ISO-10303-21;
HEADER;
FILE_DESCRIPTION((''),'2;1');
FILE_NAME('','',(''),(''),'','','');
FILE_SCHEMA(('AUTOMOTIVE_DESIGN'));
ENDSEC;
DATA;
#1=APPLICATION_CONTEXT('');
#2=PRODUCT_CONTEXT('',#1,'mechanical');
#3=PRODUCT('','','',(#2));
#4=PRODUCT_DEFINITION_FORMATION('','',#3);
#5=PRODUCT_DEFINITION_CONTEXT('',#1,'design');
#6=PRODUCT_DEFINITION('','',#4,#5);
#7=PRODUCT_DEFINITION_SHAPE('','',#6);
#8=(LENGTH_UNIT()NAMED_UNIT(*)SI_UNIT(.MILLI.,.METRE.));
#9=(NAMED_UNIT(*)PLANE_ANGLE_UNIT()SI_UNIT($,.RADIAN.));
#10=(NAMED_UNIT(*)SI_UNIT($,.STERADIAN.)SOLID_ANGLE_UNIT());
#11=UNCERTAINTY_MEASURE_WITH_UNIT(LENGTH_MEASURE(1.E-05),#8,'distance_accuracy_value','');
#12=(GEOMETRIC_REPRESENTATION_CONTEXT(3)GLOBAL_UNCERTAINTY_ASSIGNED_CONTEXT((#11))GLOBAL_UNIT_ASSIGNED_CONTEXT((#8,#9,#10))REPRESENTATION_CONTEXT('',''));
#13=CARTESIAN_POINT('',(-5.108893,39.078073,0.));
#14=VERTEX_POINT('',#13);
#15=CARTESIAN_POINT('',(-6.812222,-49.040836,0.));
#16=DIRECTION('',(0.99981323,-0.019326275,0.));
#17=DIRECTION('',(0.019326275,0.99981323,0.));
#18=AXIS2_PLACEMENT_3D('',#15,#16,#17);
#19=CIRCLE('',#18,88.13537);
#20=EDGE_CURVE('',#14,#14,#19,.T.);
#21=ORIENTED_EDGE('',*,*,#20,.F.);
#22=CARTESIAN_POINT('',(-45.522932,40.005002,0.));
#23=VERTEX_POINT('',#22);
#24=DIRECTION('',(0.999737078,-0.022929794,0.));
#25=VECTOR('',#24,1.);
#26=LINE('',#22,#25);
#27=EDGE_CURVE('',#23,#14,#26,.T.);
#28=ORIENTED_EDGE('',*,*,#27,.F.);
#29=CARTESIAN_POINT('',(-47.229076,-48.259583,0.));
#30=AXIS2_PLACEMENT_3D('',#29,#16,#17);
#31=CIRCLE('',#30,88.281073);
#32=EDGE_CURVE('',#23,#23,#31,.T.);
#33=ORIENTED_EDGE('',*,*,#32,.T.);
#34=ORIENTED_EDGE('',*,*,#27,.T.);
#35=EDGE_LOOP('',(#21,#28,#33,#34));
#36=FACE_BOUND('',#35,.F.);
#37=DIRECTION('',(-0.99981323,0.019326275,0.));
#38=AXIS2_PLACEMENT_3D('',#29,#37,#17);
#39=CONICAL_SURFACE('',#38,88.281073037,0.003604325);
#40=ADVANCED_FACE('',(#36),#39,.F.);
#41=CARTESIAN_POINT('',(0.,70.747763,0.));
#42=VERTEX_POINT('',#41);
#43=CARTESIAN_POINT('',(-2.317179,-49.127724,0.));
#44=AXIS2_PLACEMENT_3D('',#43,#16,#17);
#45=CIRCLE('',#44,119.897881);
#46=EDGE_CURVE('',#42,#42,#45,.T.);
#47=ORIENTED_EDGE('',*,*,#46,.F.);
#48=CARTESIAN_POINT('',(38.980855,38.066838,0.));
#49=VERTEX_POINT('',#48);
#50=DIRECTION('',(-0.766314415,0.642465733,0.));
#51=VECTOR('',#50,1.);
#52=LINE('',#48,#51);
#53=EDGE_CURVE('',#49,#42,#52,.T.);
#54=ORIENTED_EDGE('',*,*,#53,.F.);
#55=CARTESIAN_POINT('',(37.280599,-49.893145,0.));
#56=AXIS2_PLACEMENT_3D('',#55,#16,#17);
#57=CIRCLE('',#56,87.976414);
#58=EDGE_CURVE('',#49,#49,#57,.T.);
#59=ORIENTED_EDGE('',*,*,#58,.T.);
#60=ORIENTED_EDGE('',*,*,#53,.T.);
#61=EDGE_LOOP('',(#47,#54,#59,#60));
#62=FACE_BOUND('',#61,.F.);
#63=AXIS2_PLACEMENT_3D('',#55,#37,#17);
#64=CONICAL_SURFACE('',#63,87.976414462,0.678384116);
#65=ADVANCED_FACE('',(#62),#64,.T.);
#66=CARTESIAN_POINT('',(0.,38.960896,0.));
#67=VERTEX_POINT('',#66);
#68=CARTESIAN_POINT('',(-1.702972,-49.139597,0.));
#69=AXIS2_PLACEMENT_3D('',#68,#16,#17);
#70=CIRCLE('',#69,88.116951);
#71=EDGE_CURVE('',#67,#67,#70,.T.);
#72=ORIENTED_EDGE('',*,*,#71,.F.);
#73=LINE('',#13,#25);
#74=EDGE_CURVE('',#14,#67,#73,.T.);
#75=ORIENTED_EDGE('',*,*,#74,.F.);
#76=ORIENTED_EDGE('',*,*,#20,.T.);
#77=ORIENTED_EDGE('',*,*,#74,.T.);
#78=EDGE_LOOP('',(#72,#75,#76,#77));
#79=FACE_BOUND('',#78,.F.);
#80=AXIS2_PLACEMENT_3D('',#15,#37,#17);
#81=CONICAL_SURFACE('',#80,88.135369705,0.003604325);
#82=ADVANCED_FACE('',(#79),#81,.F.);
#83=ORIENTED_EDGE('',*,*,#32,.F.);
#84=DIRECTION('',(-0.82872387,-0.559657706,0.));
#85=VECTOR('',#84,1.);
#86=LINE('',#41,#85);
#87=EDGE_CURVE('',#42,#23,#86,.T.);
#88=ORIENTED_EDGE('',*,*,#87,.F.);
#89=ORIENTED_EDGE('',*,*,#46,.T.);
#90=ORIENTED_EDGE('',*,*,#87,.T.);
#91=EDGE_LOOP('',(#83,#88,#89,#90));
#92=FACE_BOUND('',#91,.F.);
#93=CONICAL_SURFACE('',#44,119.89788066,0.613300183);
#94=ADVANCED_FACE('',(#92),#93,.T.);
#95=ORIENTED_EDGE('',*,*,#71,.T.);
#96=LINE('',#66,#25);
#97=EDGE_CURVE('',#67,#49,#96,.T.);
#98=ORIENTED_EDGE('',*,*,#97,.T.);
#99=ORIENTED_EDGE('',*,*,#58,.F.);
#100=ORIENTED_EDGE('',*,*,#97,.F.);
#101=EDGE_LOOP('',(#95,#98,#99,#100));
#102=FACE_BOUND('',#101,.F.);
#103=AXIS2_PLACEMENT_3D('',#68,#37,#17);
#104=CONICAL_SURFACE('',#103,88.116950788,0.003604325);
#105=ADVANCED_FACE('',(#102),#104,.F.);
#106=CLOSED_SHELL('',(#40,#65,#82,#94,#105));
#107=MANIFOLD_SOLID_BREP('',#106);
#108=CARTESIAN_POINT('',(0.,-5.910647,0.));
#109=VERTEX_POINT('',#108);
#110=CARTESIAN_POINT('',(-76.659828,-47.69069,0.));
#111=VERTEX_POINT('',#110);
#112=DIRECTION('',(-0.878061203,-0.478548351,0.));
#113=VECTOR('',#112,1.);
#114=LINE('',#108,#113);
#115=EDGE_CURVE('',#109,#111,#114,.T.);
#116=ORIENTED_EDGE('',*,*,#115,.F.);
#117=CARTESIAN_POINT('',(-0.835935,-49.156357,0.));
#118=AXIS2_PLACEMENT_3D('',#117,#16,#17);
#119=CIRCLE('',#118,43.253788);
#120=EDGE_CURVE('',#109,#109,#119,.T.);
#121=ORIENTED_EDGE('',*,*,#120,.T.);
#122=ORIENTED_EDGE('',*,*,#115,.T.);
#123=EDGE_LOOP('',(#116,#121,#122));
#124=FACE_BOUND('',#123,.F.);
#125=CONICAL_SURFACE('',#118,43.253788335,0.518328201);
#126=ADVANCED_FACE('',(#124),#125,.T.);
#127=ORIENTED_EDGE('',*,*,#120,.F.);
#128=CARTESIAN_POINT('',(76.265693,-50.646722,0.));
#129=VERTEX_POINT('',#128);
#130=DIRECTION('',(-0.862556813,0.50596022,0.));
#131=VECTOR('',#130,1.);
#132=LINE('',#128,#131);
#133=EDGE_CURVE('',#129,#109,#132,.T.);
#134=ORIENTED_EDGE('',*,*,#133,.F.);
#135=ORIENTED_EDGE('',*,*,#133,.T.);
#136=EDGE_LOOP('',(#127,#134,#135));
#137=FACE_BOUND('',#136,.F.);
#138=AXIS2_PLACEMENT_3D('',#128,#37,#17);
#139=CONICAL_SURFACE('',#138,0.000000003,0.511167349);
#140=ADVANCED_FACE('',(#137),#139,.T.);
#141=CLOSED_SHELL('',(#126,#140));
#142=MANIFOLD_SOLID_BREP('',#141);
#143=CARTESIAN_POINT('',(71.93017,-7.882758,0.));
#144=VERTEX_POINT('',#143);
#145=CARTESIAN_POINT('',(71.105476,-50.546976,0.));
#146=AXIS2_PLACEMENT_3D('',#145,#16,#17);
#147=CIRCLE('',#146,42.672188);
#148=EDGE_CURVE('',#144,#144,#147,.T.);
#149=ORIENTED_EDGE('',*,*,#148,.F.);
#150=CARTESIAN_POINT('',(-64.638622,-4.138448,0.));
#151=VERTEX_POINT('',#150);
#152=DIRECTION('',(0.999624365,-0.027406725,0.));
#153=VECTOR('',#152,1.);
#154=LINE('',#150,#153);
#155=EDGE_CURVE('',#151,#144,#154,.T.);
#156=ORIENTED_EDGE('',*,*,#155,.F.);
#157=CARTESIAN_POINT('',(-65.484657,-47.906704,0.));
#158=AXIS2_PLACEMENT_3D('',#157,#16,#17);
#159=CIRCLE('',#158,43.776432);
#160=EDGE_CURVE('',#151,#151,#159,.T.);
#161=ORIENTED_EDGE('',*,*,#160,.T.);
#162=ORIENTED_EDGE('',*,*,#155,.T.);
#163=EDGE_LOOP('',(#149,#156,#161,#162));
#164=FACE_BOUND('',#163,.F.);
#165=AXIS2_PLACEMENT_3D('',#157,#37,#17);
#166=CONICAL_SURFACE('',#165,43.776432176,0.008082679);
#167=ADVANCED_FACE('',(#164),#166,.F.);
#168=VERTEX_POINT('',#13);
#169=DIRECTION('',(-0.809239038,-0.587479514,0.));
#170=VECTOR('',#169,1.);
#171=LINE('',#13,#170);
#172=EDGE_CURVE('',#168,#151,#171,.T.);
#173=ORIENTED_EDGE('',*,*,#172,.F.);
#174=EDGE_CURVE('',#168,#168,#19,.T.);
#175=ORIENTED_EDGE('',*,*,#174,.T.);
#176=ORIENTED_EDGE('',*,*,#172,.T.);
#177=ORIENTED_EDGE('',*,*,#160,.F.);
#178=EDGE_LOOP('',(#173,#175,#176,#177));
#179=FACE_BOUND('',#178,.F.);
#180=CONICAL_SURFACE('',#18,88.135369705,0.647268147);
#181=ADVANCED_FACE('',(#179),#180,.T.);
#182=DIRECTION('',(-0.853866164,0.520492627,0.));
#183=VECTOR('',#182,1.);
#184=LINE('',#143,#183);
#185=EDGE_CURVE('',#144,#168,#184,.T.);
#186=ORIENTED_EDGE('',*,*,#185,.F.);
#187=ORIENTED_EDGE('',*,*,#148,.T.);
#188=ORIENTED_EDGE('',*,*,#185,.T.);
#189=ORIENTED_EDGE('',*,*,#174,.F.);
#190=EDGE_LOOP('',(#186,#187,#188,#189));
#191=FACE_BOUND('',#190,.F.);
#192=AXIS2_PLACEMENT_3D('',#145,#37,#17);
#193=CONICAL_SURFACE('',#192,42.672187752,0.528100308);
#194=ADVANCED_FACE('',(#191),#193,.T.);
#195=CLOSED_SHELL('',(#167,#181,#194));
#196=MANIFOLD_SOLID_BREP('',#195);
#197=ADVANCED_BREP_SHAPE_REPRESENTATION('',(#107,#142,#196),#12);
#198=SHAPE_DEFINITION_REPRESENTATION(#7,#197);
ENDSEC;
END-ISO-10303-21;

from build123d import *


with BuildPart() as f1:
    # F0 (on Top) → F1 (revolve)
    with BuildSketch(Plane.XY):
        Polygon((0, 38.9608962168), (0, 70.7477629185), (-45.5229319632, 40.0050021708), (-5.1088934684, 39.078072898), align=None)
        Polygon((38.9808552181, 38.0668381833), (0, 70.7477629185), (0, 38.9608962168), align=None)
    revolve(axis=Axis((-0.1970678568, -49.1687059402, 0), (0.9998132301, -0.0193262749, 0)))


with BuildPart() as f1b:
    # F0 (on Top) → F1, piece 2 (revolve)
    with BuildSketch(Plane.XY):
        Polygon((71.9301700592, -7.8827580437), (0, 35.9638361526), (0, -5.9106468893), align=None)
        Polygon((0, 35.9638361526), (-5.1088934684, 39.078072898), (-64.6386221051, -4.1384482756), (0, -5.9106468893), align=None)
    revolve(axis=Axis((-0.1970678568, -49.1687059402, 0), (0.9998132301, -0.0193262749, 0)))


with BuildPart() as f1c:
    # F0 (on Top) → F1, piece 3 (revolve)
    with BuildSketch(Plane.XY):
        Polygon((76.2656927109, -50.6467223167), (0, -5.9106468893), (0, -49.1725152393), align=None)
        Polygon((0, -49.1725152393), (0, -5.9106468893), (-76.6598284245, -47.6906895638), align=None)
    revolve(axis=Axis((-0.1970678568, -49.1687059402, 0), (0.9998132301, -0.0193262749, 0)))


solid = Compound([f1.part, f1b.part, f1c.part])
